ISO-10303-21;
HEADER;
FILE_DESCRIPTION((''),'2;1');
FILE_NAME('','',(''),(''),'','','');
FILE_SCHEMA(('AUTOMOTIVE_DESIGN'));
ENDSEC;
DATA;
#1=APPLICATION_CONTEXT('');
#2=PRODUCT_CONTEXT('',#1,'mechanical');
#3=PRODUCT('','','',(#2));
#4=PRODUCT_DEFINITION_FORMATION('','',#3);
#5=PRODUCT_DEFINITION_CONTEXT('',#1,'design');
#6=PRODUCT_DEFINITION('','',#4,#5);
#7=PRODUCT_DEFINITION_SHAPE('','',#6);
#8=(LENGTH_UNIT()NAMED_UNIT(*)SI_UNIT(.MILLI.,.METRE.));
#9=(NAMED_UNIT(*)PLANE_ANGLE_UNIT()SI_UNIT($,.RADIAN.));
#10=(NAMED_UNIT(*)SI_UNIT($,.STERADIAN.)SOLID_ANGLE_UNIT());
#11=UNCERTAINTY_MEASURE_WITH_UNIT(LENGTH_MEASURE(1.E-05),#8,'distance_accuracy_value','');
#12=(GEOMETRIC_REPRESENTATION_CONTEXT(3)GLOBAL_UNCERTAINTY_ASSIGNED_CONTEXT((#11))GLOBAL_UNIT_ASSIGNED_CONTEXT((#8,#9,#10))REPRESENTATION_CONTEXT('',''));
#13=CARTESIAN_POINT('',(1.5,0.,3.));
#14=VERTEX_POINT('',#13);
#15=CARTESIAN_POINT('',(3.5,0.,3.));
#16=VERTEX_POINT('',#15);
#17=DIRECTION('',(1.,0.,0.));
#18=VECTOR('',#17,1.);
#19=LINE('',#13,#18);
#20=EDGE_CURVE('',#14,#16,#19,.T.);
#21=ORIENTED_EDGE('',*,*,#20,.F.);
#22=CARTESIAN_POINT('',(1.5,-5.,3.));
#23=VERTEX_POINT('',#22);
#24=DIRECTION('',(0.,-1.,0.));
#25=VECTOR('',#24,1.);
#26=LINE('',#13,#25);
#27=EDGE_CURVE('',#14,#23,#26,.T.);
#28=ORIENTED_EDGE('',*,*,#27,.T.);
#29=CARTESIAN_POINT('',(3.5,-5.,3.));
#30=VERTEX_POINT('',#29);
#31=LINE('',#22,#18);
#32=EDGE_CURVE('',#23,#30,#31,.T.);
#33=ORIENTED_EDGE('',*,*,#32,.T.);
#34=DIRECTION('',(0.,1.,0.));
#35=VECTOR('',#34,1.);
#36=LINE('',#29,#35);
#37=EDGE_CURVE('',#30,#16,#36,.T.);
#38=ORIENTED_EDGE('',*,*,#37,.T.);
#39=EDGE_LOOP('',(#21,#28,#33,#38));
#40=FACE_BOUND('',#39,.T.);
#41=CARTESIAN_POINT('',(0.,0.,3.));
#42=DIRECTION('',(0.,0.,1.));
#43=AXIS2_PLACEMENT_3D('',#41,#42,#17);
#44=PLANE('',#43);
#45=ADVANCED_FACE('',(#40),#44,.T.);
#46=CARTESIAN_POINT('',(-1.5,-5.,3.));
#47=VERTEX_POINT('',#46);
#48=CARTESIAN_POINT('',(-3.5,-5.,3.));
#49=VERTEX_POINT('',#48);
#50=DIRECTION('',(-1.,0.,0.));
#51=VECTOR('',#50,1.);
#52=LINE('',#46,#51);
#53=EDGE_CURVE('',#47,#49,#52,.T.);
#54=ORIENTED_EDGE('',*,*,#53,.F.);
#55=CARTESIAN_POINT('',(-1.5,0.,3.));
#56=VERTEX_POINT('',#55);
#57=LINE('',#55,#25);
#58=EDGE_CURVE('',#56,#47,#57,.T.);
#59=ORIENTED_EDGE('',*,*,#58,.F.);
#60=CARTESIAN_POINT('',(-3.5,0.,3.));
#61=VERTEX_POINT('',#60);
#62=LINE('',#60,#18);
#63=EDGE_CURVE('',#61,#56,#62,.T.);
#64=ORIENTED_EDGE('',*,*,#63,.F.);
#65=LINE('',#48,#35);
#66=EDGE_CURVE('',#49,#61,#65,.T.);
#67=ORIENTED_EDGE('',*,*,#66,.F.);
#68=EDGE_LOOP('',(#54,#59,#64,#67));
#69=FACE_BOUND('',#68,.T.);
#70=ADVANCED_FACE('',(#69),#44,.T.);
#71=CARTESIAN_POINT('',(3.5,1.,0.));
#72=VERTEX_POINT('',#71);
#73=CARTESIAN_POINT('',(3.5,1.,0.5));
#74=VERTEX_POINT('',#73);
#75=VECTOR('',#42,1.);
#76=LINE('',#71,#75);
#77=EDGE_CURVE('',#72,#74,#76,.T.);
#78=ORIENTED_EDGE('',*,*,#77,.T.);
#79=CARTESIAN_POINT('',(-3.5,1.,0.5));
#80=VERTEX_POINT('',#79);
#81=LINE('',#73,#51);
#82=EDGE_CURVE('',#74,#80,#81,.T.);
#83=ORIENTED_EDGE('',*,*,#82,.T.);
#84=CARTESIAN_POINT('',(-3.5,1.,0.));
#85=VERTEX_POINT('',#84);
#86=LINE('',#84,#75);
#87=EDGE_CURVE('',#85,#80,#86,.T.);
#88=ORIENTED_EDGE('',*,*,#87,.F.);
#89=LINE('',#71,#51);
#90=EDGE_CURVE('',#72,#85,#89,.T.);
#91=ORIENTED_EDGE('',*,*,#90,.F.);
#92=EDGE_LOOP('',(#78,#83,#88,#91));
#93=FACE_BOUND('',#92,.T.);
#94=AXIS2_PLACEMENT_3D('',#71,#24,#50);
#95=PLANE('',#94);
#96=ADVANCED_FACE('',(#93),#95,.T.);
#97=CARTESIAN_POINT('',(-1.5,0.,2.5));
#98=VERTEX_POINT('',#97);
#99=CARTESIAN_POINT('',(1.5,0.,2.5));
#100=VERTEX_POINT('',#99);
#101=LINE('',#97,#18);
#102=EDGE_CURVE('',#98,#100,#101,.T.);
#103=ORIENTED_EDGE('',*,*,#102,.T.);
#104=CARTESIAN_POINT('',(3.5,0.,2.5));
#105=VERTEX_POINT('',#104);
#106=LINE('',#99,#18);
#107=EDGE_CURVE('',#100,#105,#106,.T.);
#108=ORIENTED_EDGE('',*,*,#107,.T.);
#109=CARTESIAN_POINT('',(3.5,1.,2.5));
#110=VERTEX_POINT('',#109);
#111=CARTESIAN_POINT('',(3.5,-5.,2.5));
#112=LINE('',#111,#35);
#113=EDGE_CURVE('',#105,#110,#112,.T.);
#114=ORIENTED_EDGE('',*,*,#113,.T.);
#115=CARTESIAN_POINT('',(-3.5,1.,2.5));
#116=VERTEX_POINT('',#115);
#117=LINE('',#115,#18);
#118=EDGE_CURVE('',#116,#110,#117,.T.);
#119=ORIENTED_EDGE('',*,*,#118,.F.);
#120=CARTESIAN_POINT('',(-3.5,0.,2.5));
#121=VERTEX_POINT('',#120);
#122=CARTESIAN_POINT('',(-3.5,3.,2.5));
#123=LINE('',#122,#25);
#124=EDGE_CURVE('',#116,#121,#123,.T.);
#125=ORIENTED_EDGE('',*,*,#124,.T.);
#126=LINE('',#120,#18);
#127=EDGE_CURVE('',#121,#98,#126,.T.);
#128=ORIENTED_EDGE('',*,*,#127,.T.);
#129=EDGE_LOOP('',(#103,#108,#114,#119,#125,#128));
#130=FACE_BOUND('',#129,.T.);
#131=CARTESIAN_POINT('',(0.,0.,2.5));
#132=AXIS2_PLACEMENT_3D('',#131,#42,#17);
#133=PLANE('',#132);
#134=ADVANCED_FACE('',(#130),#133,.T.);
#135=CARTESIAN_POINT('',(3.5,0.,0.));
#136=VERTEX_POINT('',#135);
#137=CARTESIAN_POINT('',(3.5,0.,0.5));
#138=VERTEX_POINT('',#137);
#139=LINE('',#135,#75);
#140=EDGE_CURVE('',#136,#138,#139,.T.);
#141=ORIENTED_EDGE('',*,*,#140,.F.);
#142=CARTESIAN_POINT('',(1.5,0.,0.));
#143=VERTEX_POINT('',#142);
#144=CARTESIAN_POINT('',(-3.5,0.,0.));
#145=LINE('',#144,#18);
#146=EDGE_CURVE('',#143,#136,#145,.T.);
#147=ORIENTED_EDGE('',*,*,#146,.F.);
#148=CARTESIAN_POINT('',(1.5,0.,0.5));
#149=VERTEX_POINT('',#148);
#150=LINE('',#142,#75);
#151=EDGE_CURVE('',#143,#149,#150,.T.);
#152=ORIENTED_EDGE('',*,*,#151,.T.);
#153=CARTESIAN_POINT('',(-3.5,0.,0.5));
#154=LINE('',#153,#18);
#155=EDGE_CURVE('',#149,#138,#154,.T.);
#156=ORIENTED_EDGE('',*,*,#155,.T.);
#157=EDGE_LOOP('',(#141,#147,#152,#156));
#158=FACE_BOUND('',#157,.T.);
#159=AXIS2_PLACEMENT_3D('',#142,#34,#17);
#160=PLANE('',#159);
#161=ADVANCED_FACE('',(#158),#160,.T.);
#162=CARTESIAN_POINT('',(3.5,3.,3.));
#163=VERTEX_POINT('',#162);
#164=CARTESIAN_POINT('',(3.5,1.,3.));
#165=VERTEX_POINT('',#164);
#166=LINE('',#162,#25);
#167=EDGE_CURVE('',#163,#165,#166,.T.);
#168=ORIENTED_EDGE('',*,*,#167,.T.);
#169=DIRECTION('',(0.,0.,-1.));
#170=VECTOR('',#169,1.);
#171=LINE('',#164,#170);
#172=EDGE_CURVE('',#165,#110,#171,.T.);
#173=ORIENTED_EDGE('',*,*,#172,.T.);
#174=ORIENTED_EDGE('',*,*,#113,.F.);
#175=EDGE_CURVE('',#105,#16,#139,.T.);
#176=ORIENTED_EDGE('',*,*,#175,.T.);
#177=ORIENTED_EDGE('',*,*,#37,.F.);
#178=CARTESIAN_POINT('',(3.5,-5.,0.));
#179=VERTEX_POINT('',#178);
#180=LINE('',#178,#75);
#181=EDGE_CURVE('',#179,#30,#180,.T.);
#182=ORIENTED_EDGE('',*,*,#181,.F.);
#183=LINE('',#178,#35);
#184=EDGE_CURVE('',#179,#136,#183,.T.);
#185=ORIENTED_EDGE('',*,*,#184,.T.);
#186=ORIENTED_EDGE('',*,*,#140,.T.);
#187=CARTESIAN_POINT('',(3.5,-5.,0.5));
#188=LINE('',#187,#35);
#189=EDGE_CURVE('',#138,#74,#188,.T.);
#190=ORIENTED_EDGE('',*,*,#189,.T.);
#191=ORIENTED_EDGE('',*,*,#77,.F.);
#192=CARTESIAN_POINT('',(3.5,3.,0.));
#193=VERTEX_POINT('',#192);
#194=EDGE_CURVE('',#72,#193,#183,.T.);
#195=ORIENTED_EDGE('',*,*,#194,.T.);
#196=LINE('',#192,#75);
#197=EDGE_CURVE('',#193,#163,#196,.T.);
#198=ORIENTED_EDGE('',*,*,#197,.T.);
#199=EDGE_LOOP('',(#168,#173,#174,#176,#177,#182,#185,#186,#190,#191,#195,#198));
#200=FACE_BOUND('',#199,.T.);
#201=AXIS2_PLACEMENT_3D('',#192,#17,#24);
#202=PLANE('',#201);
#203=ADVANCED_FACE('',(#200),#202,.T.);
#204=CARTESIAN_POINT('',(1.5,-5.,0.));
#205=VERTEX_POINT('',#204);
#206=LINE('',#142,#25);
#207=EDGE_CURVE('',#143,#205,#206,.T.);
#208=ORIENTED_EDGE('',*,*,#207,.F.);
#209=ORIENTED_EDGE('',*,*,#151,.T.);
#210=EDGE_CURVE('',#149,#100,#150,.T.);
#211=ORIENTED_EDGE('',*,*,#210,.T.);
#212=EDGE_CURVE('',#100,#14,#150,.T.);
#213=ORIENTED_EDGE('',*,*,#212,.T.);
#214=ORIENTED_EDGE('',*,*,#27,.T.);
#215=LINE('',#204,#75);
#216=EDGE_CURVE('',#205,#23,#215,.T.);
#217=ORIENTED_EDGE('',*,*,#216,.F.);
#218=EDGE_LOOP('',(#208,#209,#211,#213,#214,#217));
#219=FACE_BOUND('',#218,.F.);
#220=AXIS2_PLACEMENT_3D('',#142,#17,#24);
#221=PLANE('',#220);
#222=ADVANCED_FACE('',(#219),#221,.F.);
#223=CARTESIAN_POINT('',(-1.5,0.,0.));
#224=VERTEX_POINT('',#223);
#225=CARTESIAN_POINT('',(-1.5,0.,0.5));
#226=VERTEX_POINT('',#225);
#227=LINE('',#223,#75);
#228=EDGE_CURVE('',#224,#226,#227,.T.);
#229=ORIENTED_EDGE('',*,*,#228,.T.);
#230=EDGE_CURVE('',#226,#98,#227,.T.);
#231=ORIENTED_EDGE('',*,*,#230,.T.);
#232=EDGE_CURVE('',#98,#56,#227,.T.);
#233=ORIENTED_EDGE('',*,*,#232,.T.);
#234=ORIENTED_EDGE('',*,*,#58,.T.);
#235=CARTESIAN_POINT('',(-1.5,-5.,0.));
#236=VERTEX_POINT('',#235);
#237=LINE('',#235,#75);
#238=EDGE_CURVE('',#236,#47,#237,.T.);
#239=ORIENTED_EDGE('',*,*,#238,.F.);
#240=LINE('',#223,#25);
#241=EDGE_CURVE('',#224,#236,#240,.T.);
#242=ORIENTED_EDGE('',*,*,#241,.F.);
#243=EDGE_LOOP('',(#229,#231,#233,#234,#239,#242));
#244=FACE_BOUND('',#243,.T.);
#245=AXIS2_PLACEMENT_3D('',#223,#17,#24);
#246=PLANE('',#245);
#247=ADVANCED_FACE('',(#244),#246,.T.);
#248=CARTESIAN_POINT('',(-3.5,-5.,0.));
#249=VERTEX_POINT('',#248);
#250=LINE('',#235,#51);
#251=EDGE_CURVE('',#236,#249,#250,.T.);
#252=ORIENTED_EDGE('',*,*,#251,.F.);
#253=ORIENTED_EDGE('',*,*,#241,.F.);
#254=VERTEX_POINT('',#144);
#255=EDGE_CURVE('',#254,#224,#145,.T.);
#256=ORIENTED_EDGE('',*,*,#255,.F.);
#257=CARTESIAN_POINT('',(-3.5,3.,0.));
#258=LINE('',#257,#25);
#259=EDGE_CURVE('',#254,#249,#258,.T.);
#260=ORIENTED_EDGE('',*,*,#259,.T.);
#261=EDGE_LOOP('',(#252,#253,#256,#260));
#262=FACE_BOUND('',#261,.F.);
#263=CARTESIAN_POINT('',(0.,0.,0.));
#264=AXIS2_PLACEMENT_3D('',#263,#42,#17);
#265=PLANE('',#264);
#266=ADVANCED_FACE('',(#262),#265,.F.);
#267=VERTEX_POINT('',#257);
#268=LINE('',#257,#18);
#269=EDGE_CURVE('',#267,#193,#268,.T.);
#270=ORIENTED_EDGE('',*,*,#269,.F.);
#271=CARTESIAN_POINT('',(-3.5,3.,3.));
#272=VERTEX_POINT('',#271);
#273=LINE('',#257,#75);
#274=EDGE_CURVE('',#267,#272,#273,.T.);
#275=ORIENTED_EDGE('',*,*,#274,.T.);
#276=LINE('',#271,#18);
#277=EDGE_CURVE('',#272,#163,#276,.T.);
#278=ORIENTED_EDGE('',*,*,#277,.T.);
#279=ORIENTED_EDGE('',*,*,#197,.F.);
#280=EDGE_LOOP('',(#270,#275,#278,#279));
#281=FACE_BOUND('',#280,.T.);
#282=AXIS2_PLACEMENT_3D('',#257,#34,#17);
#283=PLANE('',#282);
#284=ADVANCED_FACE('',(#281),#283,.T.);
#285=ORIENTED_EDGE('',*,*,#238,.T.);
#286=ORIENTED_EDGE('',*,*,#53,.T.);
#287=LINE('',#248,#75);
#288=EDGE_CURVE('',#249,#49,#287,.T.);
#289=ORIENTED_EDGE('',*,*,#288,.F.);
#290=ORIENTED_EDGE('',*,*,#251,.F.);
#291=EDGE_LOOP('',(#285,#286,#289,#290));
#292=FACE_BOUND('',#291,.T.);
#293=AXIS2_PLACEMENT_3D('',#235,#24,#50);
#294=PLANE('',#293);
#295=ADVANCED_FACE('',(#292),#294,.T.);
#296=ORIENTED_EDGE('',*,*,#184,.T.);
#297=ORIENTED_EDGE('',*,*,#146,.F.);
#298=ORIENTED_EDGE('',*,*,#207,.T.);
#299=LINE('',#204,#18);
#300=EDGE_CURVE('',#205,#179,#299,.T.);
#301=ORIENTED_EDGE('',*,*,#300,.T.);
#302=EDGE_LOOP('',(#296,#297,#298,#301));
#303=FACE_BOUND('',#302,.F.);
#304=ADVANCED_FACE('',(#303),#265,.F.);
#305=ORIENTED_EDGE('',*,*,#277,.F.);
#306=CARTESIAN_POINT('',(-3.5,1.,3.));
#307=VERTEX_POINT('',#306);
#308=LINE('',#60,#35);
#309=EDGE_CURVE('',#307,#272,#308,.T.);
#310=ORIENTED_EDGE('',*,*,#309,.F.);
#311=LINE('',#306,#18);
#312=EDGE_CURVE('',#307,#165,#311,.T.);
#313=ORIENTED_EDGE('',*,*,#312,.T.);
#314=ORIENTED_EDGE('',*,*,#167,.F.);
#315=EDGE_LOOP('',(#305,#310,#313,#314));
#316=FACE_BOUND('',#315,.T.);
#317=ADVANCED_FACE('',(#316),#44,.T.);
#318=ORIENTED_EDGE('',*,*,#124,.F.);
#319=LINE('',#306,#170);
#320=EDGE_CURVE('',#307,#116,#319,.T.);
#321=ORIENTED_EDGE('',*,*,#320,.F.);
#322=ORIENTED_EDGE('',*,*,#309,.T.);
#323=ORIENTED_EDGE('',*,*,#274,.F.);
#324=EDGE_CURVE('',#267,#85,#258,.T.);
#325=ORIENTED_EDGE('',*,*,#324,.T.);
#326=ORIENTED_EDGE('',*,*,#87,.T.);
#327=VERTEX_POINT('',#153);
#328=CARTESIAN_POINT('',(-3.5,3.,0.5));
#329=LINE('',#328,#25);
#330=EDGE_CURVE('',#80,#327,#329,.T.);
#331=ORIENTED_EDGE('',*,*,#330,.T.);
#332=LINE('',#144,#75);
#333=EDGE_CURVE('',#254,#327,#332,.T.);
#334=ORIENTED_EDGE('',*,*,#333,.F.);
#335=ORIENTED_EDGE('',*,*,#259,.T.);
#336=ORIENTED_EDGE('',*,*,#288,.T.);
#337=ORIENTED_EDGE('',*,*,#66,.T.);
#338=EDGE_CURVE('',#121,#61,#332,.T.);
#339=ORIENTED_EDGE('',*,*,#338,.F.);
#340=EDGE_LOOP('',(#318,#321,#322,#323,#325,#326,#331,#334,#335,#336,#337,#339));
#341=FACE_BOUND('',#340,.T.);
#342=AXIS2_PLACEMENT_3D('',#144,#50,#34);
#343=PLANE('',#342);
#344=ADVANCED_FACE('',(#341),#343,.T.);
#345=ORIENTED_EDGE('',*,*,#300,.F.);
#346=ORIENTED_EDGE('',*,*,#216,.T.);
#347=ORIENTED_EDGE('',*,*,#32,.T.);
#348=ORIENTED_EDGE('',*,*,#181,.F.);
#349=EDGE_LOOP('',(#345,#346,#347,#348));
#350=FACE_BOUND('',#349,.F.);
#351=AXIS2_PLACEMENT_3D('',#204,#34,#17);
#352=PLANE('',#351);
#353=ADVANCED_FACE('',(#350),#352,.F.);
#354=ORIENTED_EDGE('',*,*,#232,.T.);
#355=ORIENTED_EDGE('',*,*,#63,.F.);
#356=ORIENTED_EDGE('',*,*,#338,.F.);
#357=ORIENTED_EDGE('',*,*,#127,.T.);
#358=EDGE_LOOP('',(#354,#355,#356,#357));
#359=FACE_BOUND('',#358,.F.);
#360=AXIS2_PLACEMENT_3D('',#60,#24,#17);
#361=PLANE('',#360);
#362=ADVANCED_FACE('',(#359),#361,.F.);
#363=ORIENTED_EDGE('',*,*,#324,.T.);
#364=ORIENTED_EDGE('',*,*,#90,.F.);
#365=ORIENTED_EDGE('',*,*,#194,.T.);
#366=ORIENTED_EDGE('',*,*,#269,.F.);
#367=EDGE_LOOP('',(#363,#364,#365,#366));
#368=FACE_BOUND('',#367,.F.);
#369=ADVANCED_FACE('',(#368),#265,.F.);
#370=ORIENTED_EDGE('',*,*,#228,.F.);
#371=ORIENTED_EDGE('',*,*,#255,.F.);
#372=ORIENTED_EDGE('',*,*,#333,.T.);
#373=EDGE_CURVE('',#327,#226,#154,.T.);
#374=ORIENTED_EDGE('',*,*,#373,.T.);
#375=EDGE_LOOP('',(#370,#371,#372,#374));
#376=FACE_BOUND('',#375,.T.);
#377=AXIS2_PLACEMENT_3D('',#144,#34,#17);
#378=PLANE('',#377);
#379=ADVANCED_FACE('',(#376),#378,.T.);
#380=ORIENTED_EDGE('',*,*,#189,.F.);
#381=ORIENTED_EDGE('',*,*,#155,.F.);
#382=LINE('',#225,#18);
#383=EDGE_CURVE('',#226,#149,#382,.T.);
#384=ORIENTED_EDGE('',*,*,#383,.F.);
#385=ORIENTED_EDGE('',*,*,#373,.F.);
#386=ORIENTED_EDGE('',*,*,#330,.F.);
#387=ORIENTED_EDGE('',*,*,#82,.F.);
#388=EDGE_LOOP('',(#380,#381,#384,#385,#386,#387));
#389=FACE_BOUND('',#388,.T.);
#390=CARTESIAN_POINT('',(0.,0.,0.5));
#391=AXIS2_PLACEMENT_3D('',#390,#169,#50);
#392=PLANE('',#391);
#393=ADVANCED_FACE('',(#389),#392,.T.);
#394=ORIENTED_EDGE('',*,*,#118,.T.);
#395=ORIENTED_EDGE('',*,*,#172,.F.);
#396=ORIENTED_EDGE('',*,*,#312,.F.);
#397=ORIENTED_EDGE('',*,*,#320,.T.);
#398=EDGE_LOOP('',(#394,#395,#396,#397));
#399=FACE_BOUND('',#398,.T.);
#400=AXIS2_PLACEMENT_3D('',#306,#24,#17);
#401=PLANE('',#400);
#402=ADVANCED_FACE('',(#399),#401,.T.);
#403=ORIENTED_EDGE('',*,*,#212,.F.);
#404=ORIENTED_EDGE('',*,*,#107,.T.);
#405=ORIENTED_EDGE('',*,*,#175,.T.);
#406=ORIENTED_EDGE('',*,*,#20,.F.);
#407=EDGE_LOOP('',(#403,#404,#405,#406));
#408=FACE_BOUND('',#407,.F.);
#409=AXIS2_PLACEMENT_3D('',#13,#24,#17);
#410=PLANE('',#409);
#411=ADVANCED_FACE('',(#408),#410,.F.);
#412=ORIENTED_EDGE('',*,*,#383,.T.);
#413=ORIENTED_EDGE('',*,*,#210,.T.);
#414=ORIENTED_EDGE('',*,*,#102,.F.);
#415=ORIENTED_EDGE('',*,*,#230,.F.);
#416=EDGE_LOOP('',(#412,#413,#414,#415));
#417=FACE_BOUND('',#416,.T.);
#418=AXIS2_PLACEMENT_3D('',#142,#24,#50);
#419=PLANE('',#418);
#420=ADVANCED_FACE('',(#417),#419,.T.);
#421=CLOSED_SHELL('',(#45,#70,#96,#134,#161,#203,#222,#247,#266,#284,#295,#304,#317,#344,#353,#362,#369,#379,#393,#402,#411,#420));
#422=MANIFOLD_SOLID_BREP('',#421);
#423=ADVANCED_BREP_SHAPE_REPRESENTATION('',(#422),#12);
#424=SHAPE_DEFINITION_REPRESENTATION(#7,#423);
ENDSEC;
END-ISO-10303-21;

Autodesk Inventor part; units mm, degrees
ref_plane "YZ Plane" through (0, 0, 0) normal (1, 0, 0) x (0, 1, 0)
ref_plane "XZ Plane" through (0, 0, 0) normal (0, 1, 0) x (-1, 0, 0)
ref_plane "XY Plane" through (0, 0, 0) normal (0, 0, 1) x (1, 0, 0)
sketch "Skizze1" plane through (0, 0, 0) normal (0, 0, 1) x (1, 0, 0)
  line L0 (-3.5, 3) -> (3.5, 3)
  line L1 (3.5, 3) -> (3.5, 0)
  line L2 (1.5, 0) -> (-1.5, 0)
  line L3 (-3.5, 0) -> (-3.5, 3)
  line L4 (-1.5, 0) -> (-1.5, -5)
  line L5 (-1.5, -5) -> (-3.5, -5)
  line L6 (-3.5, -5) -> (-3.5, 0)
  line L7 (1.5, -5) -> (3.5, -5)
  line L8 (3.5, -5) -> (3.5, 0)
  line L9 (1.5, 0) -> (1.5, -5)
  point P0 (0, 0)
  point P1 (0, 0)
  dimension "d1" = 5
  dimension "d2" = 7
  dimension "d3" = 2
  dimension "d7" = 0
  dimension "d8" = 5
  dimension "d9" = 2
  dimension "d24" = 3
extrude "Extrusion1" add sketch "Skizze1" along normal blind 3
sketch "Skizze2" plane through (0, 0, 3) normal (0, 0, 1) x (1, 0, 0)
  line L0 (3.5, -5) -> (3.5, 3) projected
  line L1 (-3.5, 3) -> (-3.5, -5) projected
  line L2 (-3.5, 0) -> (-1.5, 0)
  line L3 (1.5, 0) -> (3.5, 0)
  line L4 (-3.5, 1) -> (3.5, 1)
  line L5 (3.5, 0) -> (3.5, 1)
  line L6 (-3.5, 0) -> (-3.5, 1)
  line L7 (-1.5, 0) -> (1.5, 0)
  point P0 (0, 0)
  dimension "d20" = 1
extrude "Extrusion3" cut sketch "Skizze2" against normal blind 0.5
sketch "Skizze5" plane through (0, 0, 0) normal (0, 0, -1) x (-1, 0, 0)
  line L0 (1.5, 0) -> (-1.5, 0) projected
  line L1 (3.5, 3) -> (3.5, -5) projected
  line L2 (-3.5, -5) -> (-3.5, 3) projected
  line L3 (-3.5, 1) -> (3.5, 1)
  line L4 (3.5, 1) -> (3.5, 0)
  line L5 (3.5, 0) -> (-3.5, 0)
  line L6 (-3.5, 0) -> (-3.5, 1)
  point P0 (0, 0)
  point P1 (0, 0)
  dimension "d25" = 1
extrude "Extrusion5" cut sketch "Skizze5" against normal blind 0.5
properties part number "Leistende Kontakt" material "2.0401 CuZn39 Pb 3 (Messing)"
